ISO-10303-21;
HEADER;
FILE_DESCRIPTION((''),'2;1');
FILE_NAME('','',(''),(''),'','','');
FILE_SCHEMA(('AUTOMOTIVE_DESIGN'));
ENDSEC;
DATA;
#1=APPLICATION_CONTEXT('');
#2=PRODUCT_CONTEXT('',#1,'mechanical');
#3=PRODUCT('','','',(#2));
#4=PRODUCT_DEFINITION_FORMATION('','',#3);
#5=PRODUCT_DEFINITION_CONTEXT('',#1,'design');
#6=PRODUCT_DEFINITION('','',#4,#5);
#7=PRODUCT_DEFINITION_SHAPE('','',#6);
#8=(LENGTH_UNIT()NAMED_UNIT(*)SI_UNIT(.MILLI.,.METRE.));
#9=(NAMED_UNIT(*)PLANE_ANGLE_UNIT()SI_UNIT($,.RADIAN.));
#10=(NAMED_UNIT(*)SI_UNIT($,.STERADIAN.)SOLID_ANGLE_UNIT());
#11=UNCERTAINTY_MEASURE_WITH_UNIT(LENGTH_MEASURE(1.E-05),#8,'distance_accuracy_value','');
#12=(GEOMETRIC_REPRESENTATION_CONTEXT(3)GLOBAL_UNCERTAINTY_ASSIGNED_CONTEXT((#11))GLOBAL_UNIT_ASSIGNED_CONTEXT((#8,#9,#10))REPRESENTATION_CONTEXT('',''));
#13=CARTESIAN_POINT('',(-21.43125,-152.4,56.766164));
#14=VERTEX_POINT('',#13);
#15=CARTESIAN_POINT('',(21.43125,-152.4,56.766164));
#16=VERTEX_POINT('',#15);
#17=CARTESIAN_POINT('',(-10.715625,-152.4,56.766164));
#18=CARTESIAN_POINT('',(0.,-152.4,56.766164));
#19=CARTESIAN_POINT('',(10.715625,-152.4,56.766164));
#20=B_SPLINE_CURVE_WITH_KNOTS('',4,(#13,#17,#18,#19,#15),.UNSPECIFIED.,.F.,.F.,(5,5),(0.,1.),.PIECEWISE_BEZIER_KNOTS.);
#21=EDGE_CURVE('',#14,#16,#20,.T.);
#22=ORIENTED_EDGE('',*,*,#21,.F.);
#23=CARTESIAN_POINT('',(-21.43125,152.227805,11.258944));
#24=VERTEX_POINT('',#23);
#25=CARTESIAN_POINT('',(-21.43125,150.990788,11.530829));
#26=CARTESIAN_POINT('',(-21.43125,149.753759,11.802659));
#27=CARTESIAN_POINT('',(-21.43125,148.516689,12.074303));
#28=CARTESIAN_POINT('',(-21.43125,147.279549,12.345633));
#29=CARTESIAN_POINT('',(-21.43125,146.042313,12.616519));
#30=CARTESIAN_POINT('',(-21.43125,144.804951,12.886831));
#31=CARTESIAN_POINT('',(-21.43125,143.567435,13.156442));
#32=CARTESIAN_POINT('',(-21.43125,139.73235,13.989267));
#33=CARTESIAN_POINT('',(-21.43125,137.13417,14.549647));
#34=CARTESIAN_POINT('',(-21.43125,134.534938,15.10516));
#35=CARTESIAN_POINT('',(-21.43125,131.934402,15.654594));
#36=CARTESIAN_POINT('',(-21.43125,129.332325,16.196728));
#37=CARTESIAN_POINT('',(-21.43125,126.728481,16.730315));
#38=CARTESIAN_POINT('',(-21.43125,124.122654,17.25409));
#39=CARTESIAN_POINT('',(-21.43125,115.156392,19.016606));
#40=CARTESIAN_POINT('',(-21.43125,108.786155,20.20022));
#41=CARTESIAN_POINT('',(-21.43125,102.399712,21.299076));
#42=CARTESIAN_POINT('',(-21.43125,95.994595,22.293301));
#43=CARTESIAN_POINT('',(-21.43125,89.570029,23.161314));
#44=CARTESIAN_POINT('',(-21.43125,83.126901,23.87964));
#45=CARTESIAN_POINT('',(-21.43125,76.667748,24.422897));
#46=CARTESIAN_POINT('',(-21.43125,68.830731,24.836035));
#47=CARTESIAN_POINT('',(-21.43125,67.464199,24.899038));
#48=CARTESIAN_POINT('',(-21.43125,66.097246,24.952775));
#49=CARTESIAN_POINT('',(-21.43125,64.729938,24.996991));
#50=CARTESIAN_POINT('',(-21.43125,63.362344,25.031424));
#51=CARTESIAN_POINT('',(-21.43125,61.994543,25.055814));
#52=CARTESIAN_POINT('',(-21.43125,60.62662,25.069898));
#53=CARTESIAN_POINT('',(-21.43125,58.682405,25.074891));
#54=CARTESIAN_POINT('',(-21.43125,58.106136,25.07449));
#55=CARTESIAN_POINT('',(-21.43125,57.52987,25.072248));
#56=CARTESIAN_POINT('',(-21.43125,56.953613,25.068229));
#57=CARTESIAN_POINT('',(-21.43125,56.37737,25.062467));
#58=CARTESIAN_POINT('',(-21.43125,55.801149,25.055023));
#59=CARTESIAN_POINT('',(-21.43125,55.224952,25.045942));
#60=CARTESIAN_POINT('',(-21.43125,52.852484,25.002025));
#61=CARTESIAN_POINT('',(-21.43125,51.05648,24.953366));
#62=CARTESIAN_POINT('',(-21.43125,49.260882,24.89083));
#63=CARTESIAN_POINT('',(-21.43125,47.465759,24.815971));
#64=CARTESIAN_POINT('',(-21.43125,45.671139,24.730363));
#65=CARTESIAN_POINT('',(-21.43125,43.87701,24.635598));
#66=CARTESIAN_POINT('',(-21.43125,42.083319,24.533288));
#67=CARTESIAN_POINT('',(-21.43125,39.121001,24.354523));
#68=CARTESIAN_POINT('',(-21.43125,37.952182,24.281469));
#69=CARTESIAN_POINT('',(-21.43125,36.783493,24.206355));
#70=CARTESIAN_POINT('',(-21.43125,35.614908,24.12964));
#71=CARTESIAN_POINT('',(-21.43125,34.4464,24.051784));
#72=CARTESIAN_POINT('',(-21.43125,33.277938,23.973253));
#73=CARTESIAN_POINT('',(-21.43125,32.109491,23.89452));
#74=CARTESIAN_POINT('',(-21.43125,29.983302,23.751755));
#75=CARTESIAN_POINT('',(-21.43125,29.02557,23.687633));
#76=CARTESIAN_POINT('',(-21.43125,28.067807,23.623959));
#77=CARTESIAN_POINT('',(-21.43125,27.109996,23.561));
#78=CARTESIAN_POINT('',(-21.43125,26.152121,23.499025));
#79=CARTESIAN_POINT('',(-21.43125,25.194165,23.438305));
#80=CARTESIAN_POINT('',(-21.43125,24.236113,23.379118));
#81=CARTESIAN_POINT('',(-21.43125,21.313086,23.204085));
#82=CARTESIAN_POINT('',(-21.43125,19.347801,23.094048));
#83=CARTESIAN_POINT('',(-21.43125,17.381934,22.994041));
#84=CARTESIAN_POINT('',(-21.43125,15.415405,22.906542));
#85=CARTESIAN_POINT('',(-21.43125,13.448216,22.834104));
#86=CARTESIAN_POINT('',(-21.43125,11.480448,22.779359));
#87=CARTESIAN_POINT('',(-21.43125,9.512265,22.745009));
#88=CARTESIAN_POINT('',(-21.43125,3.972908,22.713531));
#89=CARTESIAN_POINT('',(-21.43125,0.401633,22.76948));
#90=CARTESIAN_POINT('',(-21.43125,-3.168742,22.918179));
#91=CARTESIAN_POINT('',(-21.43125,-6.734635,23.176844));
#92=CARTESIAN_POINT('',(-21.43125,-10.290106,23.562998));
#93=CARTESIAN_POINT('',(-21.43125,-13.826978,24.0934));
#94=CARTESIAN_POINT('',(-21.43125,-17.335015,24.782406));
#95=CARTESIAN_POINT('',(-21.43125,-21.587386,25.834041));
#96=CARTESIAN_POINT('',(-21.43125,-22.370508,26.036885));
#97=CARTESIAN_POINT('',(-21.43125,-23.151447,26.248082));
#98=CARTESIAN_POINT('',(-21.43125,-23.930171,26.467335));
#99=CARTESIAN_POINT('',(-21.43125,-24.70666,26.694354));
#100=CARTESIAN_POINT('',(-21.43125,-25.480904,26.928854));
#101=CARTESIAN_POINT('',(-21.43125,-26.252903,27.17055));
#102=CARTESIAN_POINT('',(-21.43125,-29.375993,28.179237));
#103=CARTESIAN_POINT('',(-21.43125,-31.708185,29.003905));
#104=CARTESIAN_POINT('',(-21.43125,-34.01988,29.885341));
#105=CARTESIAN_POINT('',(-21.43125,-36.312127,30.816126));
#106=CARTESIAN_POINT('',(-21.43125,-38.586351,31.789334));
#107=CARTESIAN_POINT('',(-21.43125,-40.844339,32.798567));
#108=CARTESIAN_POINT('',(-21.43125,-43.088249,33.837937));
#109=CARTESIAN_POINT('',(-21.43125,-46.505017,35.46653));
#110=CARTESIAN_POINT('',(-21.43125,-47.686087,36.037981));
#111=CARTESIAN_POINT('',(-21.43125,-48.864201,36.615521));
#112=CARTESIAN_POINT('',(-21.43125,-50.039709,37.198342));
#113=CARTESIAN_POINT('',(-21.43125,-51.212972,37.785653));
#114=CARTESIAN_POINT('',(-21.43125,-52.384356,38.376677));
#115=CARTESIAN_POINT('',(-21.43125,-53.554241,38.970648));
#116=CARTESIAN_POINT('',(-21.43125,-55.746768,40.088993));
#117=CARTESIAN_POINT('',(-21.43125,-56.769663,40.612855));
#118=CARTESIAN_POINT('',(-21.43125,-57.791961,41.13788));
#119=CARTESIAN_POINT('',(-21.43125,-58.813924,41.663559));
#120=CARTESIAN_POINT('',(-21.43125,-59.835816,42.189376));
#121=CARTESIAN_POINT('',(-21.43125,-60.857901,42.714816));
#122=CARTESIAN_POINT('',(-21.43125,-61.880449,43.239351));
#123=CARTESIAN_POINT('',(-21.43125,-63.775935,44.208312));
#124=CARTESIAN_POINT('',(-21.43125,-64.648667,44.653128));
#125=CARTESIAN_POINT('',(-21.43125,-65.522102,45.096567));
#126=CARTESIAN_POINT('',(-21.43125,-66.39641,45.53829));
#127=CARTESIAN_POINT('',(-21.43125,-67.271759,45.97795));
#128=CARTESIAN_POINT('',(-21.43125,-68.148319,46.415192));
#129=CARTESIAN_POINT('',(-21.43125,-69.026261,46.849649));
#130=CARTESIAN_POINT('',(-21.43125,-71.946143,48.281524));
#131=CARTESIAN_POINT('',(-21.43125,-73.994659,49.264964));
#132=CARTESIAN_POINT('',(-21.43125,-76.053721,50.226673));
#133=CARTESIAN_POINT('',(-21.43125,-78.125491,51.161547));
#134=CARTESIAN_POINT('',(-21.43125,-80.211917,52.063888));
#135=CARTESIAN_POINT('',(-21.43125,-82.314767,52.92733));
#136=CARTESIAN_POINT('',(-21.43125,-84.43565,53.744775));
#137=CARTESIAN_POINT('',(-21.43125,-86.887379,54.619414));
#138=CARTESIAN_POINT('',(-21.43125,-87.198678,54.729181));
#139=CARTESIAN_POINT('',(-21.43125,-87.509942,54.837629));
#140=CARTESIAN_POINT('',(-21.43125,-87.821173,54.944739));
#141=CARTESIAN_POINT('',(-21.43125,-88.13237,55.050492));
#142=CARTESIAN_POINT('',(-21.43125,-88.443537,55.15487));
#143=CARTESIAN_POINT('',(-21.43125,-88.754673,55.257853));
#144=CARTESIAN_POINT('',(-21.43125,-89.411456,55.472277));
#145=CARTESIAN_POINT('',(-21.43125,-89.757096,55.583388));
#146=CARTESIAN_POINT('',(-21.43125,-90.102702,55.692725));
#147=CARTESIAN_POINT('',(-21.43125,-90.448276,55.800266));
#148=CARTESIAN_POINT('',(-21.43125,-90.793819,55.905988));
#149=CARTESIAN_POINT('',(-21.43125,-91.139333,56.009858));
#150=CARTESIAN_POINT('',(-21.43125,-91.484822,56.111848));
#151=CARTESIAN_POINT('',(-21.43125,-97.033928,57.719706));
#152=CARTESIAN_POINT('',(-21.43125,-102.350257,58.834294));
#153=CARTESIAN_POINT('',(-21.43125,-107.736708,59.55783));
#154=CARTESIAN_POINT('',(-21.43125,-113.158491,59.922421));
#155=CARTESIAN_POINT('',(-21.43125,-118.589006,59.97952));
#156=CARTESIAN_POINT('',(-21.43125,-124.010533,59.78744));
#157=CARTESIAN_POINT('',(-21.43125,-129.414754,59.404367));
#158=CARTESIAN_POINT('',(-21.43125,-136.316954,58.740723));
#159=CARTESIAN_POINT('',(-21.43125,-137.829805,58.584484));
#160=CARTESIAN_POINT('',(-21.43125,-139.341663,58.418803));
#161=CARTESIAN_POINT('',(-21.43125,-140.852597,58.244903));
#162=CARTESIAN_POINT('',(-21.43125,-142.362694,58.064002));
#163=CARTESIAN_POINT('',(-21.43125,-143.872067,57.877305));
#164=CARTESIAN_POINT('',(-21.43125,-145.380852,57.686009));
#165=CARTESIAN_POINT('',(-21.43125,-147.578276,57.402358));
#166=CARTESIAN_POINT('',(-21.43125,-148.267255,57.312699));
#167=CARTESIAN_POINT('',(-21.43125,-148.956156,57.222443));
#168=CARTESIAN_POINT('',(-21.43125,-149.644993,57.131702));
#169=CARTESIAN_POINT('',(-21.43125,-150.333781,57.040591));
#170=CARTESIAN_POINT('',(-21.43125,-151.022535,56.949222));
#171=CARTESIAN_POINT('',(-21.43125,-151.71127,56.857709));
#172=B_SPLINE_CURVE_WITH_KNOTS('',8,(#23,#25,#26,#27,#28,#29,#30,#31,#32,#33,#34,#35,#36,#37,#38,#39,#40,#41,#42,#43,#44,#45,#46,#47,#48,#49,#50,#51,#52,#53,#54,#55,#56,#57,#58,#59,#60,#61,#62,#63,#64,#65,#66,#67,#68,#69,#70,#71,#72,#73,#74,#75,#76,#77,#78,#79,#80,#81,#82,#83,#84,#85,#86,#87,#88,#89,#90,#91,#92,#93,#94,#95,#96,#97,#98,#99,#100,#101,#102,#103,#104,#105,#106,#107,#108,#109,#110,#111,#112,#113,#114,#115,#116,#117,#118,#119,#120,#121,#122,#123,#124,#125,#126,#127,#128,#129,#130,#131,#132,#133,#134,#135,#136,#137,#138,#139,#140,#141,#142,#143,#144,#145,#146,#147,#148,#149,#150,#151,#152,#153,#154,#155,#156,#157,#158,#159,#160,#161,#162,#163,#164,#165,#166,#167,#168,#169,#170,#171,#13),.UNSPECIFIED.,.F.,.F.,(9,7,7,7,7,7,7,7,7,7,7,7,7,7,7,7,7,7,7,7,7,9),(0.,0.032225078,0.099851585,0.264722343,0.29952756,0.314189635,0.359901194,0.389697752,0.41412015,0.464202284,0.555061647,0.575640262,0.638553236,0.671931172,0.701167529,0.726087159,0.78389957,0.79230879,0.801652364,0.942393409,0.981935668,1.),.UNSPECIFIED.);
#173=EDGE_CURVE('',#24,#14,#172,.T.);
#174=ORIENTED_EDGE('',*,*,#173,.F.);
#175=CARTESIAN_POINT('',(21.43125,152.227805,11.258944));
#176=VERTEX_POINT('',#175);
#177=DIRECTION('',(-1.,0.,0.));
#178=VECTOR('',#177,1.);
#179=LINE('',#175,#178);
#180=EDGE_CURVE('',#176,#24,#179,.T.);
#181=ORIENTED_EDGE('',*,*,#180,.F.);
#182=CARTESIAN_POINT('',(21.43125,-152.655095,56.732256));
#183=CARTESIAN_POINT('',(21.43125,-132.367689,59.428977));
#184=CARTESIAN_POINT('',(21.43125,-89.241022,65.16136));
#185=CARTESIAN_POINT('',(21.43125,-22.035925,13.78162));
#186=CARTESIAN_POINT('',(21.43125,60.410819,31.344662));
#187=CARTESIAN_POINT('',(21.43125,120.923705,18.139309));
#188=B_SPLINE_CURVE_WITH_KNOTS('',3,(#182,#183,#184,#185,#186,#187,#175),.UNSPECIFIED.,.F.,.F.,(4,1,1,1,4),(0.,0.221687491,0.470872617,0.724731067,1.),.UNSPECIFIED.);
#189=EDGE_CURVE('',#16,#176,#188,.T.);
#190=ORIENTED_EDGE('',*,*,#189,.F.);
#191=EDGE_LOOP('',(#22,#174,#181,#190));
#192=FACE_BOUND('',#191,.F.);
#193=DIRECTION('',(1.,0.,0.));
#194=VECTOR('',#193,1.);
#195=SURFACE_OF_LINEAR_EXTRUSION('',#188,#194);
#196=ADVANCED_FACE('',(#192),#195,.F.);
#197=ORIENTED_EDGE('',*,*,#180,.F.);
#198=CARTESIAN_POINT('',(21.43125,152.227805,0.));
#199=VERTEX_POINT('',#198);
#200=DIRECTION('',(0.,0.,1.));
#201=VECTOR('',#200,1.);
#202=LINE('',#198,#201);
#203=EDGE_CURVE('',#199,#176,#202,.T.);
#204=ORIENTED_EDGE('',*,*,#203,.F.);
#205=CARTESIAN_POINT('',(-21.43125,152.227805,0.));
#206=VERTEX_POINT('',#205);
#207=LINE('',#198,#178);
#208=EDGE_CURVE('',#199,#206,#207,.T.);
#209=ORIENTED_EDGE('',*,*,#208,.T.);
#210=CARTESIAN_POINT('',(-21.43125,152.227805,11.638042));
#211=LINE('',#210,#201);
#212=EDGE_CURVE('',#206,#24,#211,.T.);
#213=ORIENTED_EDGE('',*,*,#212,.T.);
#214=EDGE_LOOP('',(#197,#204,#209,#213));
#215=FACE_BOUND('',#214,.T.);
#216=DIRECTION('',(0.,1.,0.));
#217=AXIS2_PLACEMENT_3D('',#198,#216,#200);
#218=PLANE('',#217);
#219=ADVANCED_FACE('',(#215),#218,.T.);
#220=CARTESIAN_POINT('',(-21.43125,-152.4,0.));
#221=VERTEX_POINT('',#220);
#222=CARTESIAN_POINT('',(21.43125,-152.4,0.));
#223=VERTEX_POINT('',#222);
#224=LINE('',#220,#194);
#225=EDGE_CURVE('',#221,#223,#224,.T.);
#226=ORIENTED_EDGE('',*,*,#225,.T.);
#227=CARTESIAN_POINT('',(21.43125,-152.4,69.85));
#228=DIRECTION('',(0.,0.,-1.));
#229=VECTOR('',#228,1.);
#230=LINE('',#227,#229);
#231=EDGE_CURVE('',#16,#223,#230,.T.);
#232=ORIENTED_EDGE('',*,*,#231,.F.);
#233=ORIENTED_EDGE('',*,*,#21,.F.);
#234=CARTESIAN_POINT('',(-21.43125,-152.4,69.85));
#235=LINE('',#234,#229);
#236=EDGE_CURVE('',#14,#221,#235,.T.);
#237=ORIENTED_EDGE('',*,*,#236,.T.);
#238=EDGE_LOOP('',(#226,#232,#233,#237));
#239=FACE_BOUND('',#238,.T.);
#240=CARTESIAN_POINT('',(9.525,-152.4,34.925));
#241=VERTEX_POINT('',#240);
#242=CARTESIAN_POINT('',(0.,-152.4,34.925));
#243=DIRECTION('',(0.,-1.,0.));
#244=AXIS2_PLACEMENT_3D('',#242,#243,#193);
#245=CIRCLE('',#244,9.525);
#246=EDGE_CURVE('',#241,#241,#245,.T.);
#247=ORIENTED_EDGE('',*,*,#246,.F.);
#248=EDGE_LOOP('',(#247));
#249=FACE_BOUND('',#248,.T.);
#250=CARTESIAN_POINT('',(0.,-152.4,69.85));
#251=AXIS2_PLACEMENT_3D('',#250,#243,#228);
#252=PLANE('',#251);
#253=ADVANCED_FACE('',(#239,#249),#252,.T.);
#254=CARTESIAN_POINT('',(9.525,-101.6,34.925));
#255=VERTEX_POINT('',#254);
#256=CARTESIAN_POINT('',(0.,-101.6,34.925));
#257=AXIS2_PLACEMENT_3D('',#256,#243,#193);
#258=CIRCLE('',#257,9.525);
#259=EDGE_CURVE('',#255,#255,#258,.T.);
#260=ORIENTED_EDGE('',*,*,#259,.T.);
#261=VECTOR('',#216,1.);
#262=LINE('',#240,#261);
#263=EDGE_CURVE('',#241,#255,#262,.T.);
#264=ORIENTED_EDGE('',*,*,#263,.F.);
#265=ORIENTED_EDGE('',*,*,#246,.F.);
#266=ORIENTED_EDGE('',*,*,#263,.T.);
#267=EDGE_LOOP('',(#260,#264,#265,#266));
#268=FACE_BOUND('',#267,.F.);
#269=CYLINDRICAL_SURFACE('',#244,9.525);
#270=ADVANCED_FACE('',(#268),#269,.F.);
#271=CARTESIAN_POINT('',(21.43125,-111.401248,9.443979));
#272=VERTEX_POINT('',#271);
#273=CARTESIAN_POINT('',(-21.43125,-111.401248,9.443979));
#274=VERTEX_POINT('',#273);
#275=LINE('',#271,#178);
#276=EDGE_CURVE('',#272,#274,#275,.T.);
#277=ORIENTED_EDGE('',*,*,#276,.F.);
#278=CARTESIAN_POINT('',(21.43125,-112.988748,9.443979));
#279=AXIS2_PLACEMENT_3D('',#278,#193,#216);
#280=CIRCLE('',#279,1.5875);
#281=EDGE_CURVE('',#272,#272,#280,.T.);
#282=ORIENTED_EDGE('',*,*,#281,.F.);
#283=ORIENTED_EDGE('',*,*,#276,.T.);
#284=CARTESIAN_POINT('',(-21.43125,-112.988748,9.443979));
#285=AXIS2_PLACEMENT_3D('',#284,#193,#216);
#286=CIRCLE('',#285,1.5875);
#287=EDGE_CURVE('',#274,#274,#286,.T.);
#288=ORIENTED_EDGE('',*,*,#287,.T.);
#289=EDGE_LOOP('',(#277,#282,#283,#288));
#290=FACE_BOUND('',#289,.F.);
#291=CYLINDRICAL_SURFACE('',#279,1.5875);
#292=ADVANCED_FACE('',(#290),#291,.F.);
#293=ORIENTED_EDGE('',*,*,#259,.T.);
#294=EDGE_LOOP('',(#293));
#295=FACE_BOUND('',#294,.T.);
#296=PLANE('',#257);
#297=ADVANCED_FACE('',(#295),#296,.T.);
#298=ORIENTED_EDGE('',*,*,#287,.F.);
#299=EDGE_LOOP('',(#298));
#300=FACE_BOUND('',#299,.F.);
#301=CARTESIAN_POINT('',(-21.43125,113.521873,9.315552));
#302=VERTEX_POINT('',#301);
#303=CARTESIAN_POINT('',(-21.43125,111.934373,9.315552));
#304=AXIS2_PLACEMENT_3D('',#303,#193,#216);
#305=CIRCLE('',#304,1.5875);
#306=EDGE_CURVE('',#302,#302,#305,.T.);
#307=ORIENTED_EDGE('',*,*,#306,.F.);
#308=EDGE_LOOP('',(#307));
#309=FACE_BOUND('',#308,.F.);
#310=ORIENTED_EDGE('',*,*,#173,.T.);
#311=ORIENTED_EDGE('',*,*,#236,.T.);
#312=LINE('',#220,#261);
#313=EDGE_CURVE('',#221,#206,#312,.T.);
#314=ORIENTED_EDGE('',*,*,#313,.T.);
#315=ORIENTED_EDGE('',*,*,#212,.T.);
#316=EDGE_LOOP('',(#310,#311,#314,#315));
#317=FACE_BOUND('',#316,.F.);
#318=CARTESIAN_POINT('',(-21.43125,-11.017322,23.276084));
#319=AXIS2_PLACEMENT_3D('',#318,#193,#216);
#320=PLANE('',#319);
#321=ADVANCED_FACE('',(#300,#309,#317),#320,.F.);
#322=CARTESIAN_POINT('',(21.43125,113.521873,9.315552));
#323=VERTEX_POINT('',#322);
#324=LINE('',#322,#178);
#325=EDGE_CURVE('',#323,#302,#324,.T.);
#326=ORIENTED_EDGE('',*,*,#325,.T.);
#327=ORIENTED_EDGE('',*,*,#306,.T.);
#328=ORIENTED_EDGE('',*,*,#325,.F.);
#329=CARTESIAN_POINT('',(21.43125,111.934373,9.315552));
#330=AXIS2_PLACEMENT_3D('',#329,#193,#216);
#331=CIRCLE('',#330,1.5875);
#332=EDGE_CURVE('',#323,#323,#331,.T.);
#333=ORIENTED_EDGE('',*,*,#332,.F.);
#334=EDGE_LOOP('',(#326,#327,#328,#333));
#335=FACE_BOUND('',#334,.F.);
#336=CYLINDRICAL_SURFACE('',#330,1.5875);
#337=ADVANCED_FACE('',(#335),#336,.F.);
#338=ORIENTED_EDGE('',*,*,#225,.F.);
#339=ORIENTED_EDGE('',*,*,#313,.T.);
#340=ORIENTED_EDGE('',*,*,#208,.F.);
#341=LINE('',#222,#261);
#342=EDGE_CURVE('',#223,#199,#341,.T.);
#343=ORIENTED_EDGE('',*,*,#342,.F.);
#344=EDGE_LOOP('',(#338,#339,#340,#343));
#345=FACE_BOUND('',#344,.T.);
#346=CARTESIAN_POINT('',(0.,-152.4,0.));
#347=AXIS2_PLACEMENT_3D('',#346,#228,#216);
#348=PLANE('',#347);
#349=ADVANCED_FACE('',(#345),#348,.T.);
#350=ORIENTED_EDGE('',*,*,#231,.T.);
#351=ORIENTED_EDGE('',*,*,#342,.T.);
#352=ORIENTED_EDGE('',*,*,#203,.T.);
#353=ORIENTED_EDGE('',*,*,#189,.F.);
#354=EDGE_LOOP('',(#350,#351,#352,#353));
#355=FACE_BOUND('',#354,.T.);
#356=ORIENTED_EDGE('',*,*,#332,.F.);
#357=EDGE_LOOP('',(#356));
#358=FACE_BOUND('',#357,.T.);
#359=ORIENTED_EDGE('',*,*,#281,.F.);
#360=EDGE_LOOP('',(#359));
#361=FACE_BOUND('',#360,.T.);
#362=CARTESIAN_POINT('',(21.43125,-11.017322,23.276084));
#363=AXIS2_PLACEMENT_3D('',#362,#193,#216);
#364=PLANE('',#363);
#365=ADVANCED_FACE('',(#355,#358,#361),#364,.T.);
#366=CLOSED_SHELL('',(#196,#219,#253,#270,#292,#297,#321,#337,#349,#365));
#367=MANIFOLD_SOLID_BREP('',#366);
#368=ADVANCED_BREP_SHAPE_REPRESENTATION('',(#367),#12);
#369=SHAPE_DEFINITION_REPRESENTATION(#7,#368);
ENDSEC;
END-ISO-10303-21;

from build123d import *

# Parameters (mm, degrees)
F1_DEPTH = 21.43125
F2_R     = 9.525
F3_DEPTH = 50.8
F5_R     = 1.5875
F6_DEPTH = 42.8635


with BuildPart() as f1:
    # F0 (on Right) → F1 (new body, symmetric)
    with BuildSketch(Plane.YZ):
        Polygon((-152.4, 69.85), (-152.4, 0), (152.4, 0), (152.4, 19.05), align=None)
    extrude(amount=F1_DEPTH, both=True)

    # F2 (on face) → F3 (cut)
    with BuildSketch(Plane.XZ.offset(152.4)):
        with Locations((0, 34.925)):
            Circle(F2_R)
    extrude(amount=-F3_DEPTH, mode=Mode.SUBTRACT)

    # F5 (on face) → F6 (intersect, through all)
    with BuildSketch(Plane.YZ.offset(21.43125)):
        with BuildLine():
            add(Edge.make_bspline(
                [(-152.655094862, 56.7322559655), (-132.3676890025, 59.4289773932), (-89.2410218232, 65.1613597048), (-22.0359245092, 13.7816198384), (60.4108187674, 31.3446624512), (120.9237045217, 18.1393091317), (152.2278054019, 11.2589439377)],
                knots=[0, 0, 0, 0, 0.2216874912, 0.470872617, 0.7247310668, 1, 1, 1, 1], degree=3))
            Line((-152.655094862, 56.7322559655), (-152.4784472605, 0))
            add(Edge.make_bspline(
                [(152.2278054019, 0), (50.7752332916, -0.6741153582), (-50.9689694069, -0.1745952019), (-152.4784472605, 0)],
                knots=[0, 0, 0, 0, 304.7062526624, 304.7062526624, 304.7062526624, 304.7062526624], degree=3))
            Line((152.2278054019, 0), (152.2278054019, 11.2589439377))
        make_face()
        with Locations((-112.9887476563, 9.443979038)):
            Circle(F5_R, mode=Mode.SUBTRACT)
        with Locations((111.9343732924, 9.3155516815)):
            Circle(F5_R, mode=Mode.SUBTRACT)
    extrude(amount=-F6_DEPTH, mode=Mode.INTERSECT)


solid = f1.part
